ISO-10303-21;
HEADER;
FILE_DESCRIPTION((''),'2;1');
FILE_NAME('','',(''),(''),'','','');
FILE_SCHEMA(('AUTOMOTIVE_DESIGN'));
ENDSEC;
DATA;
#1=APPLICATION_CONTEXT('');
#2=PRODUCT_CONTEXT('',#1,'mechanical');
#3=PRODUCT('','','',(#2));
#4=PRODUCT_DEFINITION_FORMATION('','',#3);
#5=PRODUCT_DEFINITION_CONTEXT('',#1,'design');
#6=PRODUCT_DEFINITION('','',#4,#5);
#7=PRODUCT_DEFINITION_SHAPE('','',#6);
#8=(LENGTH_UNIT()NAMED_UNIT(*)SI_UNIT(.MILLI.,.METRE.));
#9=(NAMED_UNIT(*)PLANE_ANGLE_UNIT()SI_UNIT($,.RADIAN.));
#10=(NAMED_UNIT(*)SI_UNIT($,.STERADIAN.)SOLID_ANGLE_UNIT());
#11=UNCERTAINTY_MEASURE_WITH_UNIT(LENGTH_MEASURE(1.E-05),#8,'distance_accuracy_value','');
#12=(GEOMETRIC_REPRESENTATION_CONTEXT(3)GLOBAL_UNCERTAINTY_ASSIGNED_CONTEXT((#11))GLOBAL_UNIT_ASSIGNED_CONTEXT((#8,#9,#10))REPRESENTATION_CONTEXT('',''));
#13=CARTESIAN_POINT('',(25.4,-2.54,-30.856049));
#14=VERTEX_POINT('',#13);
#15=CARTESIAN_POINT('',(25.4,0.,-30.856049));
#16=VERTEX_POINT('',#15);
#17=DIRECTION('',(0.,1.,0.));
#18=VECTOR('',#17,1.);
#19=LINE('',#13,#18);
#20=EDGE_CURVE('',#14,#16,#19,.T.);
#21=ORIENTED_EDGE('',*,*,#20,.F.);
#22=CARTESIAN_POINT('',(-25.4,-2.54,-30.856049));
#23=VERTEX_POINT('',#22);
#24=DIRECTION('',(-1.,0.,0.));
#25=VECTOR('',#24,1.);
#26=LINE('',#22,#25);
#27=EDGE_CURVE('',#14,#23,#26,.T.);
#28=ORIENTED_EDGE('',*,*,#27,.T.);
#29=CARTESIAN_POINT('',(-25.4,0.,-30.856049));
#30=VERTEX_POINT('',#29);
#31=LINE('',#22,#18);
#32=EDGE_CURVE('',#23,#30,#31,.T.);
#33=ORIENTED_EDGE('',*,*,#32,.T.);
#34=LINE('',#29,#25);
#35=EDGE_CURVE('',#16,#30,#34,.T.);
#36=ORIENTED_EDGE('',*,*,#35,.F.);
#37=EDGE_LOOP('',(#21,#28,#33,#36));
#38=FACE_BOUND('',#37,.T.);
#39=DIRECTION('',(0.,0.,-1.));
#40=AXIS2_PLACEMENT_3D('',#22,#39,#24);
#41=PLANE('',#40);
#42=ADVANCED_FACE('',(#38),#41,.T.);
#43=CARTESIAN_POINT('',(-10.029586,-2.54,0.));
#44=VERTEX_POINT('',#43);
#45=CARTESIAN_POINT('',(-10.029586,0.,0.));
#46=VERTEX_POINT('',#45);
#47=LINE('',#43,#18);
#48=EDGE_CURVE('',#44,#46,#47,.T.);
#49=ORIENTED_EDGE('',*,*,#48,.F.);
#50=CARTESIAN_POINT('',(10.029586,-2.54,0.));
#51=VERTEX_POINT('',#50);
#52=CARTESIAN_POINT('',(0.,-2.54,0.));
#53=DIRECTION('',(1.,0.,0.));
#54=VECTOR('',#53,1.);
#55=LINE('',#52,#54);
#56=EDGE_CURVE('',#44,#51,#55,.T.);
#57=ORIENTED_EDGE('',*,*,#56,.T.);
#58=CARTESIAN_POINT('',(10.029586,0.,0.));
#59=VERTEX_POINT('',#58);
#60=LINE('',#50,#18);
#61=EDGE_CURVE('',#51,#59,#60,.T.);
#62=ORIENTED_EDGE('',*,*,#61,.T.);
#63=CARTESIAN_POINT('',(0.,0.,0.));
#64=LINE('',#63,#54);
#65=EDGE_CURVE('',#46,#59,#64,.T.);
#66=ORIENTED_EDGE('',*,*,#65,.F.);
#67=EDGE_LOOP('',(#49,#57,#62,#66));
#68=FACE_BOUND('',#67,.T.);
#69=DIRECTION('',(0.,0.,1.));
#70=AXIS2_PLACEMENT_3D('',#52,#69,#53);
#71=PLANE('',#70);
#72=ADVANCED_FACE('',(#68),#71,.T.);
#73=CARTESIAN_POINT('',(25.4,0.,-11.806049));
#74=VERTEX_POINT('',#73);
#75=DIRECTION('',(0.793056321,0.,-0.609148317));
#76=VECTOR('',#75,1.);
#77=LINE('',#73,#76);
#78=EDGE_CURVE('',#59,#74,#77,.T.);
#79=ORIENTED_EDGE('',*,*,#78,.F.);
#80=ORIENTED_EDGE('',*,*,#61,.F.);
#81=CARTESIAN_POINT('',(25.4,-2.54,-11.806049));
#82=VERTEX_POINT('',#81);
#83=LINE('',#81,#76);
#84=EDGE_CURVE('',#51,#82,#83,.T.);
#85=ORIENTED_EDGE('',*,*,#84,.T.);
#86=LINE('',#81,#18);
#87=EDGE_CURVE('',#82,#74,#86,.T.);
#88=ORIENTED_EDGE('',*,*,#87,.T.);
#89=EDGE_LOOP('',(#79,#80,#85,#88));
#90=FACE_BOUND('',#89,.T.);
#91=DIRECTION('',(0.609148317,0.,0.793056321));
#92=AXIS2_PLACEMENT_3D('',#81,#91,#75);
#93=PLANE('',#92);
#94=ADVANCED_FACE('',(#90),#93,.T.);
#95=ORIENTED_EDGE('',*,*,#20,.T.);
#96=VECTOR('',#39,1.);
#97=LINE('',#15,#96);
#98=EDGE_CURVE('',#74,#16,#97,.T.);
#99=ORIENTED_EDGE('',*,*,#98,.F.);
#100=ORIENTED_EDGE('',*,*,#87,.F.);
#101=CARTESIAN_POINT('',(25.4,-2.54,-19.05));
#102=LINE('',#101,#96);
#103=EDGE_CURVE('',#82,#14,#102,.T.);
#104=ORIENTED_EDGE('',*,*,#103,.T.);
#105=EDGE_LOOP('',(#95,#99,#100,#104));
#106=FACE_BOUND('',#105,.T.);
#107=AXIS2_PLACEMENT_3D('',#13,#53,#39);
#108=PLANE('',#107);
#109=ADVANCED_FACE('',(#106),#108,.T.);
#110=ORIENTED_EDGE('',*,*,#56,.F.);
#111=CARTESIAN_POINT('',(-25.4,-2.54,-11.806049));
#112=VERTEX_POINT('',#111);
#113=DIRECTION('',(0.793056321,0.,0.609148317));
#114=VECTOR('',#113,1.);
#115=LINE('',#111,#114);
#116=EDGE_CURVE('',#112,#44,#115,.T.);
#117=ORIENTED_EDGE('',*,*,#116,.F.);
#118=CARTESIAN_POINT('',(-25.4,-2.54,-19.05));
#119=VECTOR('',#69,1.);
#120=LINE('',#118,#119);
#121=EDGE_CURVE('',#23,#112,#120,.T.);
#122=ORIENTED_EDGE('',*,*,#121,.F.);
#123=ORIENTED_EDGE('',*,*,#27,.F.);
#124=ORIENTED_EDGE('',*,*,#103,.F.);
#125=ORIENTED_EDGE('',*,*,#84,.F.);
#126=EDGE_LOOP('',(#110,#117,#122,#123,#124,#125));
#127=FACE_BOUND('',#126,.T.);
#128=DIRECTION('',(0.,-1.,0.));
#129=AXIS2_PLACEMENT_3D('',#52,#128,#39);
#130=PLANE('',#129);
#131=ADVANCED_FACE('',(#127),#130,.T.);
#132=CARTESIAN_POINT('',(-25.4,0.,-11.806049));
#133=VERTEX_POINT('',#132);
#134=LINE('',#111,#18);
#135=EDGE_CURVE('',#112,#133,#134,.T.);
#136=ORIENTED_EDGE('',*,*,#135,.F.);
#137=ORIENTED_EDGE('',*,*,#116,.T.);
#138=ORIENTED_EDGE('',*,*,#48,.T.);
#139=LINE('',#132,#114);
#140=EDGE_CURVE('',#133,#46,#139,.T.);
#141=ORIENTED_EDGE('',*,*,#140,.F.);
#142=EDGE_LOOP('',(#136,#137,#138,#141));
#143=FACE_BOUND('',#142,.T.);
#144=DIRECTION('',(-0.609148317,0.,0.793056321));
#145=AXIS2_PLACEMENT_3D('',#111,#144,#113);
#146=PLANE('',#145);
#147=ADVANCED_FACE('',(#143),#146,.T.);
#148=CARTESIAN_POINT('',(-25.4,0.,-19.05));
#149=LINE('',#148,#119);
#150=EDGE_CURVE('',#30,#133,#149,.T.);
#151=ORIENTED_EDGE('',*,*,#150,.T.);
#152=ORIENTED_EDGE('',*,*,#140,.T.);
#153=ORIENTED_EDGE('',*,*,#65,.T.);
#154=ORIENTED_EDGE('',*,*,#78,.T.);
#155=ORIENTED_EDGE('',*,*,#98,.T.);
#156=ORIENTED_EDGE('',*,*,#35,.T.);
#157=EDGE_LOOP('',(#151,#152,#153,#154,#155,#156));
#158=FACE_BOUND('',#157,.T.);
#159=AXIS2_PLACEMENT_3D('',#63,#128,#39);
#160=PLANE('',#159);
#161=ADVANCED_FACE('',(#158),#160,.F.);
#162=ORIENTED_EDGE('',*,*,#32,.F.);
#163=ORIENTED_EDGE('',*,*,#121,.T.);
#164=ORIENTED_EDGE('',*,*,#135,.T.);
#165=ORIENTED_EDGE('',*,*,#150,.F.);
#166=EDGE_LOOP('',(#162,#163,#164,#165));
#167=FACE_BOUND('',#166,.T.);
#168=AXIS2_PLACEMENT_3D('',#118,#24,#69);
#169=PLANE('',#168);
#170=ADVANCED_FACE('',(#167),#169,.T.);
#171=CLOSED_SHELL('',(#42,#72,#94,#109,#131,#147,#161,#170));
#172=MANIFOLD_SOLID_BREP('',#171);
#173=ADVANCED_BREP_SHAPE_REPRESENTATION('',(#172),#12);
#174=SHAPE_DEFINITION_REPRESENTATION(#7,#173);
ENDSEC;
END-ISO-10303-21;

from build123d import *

# Parameters (mm, degrees)
BOSS_EXTRUDE1_DEPTH = 2.54


with BuildPart() as part:
    # Sketch1 → Boss-Extrude1 (new body)
    with BuildSketch(Plane(origin=(0, 0, 0), x_dir=(1, 0, 0), z_dir=(0, 1, 0))):
        Polygon((0, 0), (-10.029586489, 0), (-25.4, 11.806048679), (-25.4, 19.05), (-25.4, 30.856048679), (25.4, 30.856048679), (25.4, 19.05), (25.4, 11.806048679), (10.029586489, 0), align=None)
    extrude(amount=-BOSS_EXTRUDE1_DEPTH)


solid = part.part
